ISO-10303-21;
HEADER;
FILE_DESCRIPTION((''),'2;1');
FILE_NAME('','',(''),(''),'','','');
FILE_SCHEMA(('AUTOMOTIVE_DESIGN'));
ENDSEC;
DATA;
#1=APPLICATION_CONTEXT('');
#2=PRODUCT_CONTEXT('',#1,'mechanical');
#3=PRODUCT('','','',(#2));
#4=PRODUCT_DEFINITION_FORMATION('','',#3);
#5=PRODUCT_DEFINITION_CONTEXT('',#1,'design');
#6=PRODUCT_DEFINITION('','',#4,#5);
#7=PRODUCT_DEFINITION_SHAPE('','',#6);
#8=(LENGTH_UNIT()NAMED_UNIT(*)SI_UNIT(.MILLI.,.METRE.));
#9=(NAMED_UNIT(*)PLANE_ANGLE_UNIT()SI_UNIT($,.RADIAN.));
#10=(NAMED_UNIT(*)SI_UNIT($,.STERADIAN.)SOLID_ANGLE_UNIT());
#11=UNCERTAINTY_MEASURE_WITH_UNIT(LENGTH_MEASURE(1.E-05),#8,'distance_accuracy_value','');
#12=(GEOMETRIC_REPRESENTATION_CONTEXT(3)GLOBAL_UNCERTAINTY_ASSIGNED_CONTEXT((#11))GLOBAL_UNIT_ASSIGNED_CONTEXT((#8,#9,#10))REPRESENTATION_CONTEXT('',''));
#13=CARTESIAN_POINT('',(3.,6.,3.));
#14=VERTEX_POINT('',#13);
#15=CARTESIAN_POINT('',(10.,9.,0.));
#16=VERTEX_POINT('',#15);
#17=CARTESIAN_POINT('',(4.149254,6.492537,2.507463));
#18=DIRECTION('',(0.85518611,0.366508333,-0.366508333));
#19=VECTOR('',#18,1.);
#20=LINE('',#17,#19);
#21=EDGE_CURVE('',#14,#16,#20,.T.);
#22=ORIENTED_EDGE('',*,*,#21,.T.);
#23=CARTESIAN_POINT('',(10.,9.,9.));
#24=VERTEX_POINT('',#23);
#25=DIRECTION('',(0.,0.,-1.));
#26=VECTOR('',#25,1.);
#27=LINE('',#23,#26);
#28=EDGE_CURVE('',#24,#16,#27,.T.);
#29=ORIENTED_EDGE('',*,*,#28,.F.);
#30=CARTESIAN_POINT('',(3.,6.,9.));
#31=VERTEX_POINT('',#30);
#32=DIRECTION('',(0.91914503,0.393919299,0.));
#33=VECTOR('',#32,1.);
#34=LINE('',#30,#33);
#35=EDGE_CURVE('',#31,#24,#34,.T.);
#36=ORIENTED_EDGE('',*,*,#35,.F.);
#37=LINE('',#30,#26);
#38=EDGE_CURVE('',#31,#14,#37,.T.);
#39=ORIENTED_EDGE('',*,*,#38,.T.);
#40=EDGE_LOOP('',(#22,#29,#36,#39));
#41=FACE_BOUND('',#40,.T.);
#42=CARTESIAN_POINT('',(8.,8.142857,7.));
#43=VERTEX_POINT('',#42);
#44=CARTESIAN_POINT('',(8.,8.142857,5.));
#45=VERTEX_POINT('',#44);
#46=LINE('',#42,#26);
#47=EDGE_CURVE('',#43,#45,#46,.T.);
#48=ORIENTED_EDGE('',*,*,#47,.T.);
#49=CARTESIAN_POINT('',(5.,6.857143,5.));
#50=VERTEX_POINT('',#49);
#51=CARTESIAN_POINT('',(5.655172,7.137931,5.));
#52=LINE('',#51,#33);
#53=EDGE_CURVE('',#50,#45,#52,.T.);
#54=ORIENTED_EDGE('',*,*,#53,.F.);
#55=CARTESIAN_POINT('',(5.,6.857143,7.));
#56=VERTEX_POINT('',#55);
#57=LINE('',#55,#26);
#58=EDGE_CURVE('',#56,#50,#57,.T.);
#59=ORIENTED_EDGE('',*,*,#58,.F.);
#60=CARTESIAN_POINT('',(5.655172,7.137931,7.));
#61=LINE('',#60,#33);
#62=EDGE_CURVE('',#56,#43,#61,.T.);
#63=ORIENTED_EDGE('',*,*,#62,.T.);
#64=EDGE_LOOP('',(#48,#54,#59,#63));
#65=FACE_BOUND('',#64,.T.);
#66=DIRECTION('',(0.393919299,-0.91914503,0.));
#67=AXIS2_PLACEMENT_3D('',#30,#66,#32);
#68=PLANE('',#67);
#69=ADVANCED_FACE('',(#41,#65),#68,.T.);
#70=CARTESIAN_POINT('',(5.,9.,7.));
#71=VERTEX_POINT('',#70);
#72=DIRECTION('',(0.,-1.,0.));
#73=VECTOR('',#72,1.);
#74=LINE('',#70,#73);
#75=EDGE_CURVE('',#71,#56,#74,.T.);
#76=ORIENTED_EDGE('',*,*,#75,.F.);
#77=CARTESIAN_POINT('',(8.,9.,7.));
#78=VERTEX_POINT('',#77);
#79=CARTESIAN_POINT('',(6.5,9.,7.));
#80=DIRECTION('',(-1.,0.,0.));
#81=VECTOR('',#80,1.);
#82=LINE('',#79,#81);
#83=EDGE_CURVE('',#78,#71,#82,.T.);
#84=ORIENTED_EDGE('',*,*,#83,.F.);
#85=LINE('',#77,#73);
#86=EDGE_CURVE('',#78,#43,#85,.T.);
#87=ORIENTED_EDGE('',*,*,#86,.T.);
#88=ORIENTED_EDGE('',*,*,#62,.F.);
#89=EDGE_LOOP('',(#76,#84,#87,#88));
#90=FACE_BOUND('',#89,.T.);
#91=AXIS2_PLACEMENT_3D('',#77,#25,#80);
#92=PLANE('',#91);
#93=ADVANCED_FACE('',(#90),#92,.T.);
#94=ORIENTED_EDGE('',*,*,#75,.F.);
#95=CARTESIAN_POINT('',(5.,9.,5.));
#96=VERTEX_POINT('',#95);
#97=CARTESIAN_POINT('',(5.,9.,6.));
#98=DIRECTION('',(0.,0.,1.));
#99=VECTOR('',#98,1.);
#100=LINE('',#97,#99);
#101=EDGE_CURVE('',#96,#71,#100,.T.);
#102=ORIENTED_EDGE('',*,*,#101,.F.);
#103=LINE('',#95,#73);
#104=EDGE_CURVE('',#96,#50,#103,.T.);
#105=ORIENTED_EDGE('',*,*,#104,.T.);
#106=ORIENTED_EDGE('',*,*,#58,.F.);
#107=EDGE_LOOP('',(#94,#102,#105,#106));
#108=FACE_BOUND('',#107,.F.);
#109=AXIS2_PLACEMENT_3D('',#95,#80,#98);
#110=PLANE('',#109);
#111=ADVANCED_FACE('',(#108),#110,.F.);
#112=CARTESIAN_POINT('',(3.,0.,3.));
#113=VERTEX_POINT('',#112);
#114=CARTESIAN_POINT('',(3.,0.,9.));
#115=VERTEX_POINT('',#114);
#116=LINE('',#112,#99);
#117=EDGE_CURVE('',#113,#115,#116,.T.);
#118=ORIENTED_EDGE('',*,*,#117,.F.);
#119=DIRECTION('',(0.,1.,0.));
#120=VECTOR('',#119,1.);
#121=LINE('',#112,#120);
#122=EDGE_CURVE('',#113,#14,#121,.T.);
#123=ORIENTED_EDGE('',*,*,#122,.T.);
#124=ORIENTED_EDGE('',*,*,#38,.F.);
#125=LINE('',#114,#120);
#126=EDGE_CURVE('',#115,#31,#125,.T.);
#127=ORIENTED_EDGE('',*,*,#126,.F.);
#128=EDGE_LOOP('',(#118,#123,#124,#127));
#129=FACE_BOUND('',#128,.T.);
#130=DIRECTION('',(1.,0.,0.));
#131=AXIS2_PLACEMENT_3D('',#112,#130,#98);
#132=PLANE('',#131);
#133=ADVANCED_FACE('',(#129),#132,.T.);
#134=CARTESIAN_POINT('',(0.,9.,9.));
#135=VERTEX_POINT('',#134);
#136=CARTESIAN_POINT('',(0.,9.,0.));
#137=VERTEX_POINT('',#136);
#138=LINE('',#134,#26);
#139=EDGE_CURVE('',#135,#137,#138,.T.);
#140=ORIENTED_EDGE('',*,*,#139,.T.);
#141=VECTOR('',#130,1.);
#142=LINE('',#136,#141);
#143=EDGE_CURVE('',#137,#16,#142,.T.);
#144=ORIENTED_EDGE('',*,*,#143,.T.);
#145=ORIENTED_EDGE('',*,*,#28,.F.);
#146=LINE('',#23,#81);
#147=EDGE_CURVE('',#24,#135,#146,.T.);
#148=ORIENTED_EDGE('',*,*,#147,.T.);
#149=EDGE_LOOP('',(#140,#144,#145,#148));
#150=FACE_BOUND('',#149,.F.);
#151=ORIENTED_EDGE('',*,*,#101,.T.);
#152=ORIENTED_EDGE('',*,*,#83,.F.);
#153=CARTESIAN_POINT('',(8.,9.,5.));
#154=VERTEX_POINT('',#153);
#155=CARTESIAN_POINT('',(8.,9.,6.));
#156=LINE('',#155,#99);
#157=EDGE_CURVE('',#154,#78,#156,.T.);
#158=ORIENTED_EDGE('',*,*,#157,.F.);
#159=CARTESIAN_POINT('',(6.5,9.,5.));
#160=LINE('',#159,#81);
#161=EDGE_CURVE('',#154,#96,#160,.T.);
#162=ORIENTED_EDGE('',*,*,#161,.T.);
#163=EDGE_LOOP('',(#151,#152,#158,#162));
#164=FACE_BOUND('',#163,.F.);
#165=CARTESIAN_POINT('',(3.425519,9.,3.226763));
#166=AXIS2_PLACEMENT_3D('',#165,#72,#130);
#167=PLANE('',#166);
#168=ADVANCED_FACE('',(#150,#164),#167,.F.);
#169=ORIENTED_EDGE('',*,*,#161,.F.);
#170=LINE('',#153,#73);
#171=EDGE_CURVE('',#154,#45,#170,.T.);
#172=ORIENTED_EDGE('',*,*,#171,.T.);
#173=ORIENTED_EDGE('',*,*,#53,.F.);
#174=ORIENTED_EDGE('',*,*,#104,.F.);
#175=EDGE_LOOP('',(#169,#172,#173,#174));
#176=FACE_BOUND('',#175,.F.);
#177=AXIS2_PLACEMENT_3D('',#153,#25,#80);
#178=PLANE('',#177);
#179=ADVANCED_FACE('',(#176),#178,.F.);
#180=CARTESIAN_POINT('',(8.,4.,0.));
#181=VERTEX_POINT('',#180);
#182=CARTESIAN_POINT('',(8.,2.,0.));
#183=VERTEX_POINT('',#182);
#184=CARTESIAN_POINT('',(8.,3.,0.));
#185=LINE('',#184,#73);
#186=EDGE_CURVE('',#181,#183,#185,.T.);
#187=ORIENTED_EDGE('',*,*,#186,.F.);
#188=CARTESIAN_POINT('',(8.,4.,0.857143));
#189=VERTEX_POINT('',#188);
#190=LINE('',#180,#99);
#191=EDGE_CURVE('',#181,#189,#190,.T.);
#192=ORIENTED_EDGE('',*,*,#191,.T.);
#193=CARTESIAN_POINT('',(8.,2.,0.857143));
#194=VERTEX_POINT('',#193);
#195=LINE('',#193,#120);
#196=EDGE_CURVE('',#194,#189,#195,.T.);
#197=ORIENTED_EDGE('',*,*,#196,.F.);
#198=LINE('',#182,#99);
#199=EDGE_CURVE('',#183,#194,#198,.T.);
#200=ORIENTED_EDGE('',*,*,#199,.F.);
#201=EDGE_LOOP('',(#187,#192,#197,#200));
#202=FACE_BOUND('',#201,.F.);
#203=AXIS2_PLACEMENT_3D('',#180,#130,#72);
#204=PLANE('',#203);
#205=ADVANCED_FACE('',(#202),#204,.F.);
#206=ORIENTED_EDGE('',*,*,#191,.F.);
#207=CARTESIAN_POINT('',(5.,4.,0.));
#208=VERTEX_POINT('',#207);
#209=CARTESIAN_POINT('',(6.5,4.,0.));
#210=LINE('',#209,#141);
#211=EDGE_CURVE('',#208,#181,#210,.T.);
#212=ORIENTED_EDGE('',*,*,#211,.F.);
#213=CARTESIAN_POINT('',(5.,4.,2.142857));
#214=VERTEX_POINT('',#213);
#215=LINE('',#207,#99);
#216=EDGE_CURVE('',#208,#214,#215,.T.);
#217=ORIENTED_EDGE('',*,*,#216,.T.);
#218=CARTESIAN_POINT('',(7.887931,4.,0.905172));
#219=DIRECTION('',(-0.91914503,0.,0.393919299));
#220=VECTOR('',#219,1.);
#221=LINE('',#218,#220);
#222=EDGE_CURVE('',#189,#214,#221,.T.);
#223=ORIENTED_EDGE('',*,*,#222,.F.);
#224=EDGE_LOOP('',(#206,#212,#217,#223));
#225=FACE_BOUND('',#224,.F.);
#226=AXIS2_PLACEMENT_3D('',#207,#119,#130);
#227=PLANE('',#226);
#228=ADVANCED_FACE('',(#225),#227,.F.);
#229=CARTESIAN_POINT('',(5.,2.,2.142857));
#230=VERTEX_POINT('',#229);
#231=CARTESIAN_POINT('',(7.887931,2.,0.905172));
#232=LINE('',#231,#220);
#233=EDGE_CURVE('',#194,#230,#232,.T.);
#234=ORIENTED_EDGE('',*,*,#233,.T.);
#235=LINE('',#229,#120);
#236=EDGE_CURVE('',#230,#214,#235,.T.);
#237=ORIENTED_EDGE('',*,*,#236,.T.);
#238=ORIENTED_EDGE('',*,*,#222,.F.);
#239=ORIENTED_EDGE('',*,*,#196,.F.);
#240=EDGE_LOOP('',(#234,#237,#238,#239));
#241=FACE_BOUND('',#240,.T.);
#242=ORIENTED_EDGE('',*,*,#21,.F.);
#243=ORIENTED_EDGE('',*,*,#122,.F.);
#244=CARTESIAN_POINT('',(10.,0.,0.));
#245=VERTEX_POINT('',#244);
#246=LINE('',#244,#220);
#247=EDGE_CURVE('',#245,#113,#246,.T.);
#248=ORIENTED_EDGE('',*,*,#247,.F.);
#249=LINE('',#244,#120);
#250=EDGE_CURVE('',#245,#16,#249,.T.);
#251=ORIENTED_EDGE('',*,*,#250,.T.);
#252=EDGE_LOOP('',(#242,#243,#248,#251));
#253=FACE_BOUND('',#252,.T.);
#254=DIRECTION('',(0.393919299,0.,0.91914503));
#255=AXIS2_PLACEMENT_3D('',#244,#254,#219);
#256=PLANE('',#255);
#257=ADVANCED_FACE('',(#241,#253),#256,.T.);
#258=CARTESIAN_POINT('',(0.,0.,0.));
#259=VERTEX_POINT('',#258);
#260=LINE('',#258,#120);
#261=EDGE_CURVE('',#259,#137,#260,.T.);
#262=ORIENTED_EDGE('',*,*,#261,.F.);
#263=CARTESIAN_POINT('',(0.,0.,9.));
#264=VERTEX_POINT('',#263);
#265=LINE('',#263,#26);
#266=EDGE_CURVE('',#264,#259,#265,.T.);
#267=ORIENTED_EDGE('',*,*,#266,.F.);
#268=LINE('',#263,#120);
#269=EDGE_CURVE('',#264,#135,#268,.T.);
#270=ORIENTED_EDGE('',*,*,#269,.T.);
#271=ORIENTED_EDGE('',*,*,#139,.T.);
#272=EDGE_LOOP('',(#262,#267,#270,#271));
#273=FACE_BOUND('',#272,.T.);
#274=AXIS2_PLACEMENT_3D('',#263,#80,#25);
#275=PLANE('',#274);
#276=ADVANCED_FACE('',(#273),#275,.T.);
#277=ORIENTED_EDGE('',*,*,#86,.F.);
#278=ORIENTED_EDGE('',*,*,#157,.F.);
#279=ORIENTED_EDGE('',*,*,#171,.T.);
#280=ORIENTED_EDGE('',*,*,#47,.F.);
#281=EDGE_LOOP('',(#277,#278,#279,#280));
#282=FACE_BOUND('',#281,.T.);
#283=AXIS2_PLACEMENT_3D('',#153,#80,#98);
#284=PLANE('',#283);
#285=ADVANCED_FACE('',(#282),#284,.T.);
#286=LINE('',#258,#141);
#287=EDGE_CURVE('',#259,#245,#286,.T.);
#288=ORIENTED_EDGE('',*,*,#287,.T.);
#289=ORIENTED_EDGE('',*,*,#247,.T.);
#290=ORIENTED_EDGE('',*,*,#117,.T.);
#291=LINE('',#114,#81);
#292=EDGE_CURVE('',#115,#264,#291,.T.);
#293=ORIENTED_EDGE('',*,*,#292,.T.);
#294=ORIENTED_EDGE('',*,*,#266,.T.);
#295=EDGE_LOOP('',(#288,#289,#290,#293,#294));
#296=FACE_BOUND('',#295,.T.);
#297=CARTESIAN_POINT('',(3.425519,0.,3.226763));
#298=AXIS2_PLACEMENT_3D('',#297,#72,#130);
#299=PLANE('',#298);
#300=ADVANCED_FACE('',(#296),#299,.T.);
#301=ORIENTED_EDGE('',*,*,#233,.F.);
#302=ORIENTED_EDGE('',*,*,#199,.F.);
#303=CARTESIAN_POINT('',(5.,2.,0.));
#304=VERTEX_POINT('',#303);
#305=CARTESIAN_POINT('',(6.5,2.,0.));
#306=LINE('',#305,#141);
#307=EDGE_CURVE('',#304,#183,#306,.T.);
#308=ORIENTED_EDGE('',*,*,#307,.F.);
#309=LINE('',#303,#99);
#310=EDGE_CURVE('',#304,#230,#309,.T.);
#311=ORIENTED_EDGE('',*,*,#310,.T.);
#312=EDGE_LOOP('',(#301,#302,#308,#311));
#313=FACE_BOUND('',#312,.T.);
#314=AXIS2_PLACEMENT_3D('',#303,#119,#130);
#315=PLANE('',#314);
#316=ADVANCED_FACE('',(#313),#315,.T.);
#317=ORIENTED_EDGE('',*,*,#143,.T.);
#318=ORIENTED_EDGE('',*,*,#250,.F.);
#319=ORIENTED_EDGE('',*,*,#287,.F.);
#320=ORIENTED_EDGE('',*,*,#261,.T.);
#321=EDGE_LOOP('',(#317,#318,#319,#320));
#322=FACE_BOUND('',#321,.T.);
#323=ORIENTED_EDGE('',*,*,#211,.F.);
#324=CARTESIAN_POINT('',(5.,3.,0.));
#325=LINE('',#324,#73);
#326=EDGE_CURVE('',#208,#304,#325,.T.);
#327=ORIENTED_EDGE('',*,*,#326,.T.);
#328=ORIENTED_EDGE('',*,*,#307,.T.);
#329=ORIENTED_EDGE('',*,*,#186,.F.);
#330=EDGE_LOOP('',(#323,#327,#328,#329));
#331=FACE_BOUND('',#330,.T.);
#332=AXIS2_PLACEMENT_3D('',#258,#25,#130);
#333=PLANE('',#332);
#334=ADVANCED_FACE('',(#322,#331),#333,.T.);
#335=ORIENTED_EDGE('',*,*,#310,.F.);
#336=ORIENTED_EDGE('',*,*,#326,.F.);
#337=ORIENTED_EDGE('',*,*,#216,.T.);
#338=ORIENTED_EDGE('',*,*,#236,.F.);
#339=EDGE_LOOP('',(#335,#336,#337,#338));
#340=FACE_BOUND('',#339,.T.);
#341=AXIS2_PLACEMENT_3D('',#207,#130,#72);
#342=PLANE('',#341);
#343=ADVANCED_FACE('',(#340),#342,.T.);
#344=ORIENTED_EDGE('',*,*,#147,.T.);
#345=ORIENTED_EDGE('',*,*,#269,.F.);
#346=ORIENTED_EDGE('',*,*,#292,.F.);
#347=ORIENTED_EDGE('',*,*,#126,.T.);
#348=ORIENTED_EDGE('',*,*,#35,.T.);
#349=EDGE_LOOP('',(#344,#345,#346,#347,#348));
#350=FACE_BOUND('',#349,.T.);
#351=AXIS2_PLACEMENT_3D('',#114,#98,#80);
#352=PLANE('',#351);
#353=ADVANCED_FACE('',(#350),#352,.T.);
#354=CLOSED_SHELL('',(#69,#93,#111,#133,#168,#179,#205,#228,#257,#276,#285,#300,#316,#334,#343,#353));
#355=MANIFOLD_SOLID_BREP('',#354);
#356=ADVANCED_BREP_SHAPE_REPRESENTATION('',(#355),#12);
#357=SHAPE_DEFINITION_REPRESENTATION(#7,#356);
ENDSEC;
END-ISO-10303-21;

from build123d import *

# Parameters (mm, degrees)
F1_DEPTH = 9
F3_DEPTH = 9
F4_W     = 3
F4_H     = 2
F5_DEPTH = 9.001
F6_W     = 3
F6_H     = 2
F7_DEPTH = 9.001


with BuildPart() as f1:
    # F0 (on Front) → F1 (new body)
    with BuildSketch(Plane.XZ):
        Polygon((3, 9), (0, 9), (0, 0), (10, 0), (3, 3), align=None)
    extrude(amount=-F1_DEPTH)

    # F2 (on face) → F3 (join)
    with BuildSketch(Plane.XY.offset(9)):
        Polygon((0, 9), (0, 0), (3, 0), (3, 6), (3, 9), align=None)
        Polygon((3, 9), (3, 6), (10, 9), align=None)
    extrude(amount=-F3_DEPTH)

    # F4 (on face) → F5 (cut, through all)
    with BuildSketch(Plane(origin=(0, 9, 0), x_dir=(-1, 0, 0), z_dir=(0, 1, 0))):
        with Locations((-6.5, 6)):
            Rectangle(F4_W, F4_H)
    extrude(amount=-F5_DEPTH, mode=Mode.SUBTRACT)

    # F6 (on face) → F7 (cut, through all)
    with BuildSketch(Plane(origin=(0, 0, 0), x_dir=(1, 0, 0), z_dir=(0, 0, -1))):
        with Locations((6.5, -3)):
            Rectangle(F6_W, F6_H)
    extrude(amount=-F7_DEPTH, mode=Mode.SUBTRACT)


solid = f1.part
